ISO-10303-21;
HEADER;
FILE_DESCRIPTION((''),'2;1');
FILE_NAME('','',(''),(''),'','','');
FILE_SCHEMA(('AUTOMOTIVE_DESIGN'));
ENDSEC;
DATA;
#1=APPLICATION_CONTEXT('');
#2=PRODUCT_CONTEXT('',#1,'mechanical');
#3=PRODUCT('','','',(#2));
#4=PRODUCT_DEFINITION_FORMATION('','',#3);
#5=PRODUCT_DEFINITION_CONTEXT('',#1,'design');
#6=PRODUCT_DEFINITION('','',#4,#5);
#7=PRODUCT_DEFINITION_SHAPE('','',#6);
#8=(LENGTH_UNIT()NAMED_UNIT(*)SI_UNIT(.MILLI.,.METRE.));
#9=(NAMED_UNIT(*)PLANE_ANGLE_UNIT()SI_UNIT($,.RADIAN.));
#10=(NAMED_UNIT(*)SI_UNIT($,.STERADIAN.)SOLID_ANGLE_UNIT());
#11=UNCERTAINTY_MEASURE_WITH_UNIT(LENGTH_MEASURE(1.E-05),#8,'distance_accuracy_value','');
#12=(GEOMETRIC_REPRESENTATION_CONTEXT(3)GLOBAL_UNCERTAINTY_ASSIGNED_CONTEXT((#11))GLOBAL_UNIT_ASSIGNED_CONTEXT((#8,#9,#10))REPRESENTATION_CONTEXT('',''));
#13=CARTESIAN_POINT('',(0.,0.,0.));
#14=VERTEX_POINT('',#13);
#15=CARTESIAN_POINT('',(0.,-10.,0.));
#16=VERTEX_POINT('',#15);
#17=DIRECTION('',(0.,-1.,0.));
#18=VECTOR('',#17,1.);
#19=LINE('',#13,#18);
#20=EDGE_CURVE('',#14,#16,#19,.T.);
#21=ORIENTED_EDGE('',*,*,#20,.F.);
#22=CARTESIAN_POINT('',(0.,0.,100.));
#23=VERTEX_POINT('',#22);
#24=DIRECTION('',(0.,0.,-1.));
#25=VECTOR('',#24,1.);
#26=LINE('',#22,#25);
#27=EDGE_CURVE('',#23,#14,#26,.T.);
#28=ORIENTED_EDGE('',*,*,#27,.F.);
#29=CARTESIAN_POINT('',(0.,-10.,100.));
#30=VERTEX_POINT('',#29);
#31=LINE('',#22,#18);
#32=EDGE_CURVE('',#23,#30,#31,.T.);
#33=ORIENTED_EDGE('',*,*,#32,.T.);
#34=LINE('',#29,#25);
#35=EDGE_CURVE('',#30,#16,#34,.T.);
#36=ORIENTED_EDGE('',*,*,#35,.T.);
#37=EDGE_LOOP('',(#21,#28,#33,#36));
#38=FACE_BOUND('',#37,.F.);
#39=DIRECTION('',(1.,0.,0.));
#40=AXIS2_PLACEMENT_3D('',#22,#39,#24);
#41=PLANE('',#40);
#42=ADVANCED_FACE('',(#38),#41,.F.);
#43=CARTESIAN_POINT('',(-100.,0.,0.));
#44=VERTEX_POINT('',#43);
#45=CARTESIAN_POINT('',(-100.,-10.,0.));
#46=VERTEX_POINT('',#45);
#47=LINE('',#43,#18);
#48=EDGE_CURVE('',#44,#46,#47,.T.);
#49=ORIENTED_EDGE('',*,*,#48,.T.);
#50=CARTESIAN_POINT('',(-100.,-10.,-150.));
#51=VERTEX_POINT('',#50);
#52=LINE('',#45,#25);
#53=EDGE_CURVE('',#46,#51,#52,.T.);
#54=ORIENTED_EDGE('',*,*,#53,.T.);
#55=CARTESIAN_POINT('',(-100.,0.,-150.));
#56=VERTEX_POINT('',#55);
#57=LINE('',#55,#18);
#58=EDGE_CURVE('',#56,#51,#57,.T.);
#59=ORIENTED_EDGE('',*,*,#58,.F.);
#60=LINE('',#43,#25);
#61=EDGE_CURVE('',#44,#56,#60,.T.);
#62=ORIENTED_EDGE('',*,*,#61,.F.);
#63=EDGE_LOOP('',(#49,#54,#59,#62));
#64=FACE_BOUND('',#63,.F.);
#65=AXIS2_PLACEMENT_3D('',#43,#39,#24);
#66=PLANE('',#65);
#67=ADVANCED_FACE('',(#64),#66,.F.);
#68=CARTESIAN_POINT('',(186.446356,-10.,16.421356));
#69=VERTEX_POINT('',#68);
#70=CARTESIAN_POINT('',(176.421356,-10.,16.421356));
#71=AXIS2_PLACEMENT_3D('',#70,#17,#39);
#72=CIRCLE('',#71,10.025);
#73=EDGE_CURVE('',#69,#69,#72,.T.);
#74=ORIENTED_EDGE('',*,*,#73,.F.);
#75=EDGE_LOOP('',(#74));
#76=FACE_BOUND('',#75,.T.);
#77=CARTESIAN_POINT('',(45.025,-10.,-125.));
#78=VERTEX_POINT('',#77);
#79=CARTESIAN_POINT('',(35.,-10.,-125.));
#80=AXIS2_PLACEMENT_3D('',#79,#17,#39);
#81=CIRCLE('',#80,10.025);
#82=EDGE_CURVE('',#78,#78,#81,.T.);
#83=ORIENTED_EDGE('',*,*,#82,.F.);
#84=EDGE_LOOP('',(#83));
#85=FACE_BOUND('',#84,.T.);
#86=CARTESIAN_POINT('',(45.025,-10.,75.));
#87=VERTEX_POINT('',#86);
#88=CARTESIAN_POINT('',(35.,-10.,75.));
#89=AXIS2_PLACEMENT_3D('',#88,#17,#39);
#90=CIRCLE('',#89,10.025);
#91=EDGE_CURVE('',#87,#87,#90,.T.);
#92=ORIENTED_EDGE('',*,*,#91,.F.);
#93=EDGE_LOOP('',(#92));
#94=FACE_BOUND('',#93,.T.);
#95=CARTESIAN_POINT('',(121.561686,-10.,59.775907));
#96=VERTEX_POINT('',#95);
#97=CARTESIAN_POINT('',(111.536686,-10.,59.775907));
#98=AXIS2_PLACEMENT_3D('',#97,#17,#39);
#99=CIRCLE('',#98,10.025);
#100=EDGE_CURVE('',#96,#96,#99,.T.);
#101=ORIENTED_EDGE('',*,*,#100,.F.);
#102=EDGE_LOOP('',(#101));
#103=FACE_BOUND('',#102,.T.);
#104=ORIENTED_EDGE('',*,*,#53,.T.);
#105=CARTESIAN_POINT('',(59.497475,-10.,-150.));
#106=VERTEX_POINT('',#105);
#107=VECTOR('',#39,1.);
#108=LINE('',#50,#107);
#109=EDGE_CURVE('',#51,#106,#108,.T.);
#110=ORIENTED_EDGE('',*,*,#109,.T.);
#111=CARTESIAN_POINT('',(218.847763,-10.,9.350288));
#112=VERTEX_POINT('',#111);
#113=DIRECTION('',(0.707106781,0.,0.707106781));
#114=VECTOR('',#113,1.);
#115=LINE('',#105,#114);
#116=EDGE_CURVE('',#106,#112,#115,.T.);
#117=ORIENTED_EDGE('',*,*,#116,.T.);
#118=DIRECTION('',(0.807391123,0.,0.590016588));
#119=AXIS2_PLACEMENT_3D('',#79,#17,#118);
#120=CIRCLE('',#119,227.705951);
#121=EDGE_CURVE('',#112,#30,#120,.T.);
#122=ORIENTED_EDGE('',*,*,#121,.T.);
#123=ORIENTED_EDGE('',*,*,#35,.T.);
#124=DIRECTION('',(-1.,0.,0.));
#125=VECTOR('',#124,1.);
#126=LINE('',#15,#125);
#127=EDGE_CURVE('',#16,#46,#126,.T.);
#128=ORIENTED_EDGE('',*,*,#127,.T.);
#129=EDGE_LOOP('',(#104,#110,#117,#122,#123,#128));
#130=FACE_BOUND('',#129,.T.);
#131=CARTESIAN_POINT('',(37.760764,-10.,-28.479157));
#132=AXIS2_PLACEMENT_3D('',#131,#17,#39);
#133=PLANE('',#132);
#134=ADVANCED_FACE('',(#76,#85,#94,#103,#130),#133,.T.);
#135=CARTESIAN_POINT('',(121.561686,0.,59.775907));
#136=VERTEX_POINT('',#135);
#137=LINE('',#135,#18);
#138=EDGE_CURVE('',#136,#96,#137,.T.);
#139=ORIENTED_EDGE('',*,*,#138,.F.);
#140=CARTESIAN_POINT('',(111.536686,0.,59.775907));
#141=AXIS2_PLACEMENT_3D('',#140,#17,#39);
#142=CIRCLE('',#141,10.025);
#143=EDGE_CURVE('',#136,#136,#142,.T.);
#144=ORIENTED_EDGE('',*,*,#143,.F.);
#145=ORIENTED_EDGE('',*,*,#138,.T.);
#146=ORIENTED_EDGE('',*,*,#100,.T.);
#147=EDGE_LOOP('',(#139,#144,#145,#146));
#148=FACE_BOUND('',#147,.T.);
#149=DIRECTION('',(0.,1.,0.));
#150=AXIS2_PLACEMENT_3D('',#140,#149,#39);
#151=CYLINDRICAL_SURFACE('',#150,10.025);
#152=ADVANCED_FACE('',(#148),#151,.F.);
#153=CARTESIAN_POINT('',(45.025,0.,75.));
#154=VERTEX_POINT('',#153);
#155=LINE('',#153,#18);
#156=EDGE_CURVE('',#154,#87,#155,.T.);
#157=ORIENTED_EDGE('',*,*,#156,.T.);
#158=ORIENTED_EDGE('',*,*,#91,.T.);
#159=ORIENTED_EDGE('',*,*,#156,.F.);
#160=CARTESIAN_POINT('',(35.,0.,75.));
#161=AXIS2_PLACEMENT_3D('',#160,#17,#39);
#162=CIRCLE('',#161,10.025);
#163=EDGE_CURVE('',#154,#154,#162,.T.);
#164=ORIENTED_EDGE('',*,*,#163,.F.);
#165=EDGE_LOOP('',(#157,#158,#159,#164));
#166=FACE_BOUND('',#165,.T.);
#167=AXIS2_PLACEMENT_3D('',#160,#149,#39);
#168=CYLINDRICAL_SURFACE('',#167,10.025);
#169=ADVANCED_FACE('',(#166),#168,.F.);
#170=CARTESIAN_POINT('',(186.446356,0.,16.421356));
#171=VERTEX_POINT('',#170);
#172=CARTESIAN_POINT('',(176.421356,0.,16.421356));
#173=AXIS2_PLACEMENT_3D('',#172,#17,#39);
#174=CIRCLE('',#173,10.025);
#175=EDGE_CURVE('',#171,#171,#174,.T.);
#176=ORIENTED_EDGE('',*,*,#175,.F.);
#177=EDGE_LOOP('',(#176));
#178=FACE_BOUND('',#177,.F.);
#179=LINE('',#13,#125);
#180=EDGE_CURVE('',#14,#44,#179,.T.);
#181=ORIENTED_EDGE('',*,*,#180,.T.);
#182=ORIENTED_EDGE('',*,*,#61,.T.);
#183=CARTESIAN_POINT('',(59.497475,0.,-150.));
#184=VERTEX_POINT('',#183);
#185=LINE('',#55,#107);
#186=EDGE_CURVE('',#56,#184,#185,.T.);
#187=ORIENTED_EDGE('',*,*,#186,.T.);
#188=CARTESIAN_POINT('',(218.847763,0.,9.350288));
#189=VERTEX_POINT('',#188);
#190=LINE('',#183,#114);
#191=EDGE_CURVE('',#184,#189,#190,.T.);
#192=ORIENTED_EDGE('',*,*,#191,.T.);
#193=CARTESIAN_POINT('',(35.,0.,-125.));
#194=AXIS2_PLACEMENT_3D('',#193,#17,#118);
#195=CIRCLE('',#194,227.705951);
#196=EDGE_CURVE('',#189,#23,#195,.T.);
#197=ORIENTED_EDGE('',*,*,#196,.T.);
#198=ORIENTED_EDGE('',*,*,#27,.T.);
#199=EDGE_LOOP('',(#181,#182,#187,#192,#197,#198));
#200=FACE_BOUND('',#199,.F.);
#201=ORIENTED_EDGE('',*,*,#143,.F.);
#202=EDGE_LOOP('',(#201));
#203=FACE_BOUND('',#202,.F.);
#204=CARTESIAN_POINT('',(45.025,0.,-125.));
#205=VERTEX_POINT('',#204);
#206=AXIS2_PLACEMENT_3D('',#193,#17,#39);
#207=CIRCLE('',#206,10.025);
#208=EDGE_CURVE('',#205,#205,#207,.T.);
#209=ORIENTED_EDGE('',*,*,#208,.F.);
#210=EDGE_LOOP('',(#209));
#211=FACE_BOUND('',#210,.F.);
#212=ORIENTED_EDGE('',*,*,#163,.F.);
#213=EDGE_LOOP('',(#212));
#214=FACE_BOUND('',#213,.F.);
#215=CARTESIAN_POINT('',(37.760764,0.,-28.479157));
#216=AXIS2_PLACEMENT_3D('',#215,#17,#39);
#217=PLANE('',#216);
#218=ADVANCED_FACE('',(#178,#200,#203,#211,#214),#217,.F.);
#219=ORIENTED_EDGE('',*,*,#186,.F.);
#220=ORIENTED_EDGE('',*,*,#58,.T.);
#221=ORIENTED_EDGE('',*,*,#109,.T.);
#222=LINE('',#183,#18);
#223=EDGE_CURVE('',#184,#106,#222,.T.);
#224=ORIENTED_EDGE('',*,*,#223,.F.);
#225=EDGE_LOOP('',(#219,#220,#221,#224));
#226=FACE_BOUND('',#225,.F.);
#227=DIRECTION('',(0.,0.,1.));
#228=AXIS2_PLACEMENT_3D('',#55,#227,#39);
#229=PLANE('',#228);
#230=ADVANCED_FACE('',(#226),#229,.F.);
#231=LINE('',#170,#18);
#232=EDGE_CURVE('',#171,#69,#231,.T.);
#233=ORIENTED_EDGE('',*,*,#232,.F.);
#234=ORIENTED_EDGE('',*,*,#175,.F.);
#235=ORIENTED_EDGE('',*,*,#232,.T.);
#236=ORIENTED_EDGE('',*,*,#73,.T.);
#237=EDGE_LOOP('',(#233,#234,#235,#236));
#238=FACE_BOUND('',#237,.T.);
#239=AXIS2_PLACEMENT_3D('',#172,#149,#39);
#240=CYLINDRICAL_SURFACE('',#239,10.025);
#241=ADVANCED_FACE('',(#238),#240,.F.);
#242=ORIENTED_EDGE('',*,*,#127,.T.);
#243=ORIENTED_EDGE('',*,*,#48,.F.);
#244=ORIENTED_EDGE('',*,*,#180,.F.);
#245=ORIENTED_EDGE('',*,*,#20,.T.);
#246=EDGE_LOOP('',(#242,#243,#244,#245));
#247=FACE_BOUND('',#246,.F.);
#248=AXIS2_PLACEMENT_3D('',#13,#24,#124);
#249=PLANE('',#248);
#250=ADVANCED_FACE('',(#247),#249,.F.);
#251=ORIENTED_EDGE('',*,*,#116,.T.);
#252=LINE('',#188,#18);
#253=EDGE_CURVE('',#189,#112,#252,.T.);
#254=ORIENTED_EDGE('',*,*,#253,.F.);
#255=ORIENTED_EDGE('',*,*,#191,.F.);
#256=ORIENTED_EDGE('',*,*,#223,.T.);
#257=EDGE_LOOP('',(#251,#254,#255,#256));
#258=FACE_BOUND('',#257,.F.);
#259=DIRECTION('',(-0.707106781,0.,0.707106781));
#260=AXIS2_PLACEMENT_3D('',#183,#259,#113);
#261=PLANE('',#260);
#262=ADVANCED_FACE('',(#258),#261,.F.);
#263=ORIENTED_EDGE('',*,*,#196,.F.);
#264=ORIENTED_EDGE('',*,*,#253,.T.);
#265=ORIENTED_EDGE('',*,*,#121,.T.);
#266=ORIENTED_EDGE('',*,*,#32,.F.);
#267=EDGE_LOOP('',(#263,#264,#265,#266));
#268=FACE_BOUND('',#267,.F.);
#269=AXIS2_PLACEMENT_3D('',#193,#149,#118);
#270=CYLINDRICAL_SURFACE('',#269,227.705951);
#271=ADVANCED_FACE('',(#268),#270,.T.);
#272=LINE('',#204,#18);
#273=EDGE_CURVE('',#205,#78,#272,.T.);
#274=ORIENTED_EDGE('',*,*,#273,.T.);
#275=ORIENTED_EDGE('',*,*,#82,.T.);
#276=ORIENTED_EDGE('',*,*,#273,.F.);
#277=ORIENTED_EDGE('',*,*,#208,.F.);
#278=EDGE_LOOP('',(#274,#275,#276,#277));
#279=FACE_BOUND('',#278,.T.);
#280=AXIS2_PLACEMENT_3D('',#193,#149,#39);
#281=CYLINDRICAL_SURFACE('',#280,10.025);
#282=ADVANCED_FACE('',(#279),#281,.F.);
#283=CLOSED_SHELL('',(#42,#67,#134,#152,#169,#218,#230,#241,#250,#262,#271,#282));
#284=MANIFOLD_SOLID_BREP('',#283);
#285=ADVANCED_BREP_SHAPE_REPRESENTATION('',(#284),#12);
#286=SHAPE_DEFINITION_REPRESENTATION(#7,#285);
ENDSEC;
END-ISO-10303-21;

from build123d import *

# Parameters (mm, degrees)
F0_R     = 10.025
F1_DEPTH = 10


with BuildPart() as f1:
    # F0 (on Front) → F1 (new body)
    with BuildSketch(Plane.XZ):
        with BuildLine():
            Line((0, 100), (0, 0))
            Line((0, 0), (-100, 0))
            Line((-100, 0), (-100, -150))
            Line((-100, -150), (59.497475, -150))
            Line((59.497475, -150), (218.847763, 9.350288))
            ThreePointArc((218.847763, 9.350288), (122.139295, 85.372867), (0, 100))
        make_face()
        with Locations((35, -125)):
            Circle(F0_R, mode=Mode.SUBTRACT)
        with Locations((35, 75)):
            Circle(F0_R, mode=Mode.SUBTRACT)
        with Locations((176.421356, 16.421356)):
            Circle(F0_R, mode=Mode.SUBTRACT)
        with Locations((111.536686, 59.775907)):
            Circle(F0_R, mode=Mode.SUBTRACT)
    extrude(amount=F1_DEPTH)


solid = f1.part
